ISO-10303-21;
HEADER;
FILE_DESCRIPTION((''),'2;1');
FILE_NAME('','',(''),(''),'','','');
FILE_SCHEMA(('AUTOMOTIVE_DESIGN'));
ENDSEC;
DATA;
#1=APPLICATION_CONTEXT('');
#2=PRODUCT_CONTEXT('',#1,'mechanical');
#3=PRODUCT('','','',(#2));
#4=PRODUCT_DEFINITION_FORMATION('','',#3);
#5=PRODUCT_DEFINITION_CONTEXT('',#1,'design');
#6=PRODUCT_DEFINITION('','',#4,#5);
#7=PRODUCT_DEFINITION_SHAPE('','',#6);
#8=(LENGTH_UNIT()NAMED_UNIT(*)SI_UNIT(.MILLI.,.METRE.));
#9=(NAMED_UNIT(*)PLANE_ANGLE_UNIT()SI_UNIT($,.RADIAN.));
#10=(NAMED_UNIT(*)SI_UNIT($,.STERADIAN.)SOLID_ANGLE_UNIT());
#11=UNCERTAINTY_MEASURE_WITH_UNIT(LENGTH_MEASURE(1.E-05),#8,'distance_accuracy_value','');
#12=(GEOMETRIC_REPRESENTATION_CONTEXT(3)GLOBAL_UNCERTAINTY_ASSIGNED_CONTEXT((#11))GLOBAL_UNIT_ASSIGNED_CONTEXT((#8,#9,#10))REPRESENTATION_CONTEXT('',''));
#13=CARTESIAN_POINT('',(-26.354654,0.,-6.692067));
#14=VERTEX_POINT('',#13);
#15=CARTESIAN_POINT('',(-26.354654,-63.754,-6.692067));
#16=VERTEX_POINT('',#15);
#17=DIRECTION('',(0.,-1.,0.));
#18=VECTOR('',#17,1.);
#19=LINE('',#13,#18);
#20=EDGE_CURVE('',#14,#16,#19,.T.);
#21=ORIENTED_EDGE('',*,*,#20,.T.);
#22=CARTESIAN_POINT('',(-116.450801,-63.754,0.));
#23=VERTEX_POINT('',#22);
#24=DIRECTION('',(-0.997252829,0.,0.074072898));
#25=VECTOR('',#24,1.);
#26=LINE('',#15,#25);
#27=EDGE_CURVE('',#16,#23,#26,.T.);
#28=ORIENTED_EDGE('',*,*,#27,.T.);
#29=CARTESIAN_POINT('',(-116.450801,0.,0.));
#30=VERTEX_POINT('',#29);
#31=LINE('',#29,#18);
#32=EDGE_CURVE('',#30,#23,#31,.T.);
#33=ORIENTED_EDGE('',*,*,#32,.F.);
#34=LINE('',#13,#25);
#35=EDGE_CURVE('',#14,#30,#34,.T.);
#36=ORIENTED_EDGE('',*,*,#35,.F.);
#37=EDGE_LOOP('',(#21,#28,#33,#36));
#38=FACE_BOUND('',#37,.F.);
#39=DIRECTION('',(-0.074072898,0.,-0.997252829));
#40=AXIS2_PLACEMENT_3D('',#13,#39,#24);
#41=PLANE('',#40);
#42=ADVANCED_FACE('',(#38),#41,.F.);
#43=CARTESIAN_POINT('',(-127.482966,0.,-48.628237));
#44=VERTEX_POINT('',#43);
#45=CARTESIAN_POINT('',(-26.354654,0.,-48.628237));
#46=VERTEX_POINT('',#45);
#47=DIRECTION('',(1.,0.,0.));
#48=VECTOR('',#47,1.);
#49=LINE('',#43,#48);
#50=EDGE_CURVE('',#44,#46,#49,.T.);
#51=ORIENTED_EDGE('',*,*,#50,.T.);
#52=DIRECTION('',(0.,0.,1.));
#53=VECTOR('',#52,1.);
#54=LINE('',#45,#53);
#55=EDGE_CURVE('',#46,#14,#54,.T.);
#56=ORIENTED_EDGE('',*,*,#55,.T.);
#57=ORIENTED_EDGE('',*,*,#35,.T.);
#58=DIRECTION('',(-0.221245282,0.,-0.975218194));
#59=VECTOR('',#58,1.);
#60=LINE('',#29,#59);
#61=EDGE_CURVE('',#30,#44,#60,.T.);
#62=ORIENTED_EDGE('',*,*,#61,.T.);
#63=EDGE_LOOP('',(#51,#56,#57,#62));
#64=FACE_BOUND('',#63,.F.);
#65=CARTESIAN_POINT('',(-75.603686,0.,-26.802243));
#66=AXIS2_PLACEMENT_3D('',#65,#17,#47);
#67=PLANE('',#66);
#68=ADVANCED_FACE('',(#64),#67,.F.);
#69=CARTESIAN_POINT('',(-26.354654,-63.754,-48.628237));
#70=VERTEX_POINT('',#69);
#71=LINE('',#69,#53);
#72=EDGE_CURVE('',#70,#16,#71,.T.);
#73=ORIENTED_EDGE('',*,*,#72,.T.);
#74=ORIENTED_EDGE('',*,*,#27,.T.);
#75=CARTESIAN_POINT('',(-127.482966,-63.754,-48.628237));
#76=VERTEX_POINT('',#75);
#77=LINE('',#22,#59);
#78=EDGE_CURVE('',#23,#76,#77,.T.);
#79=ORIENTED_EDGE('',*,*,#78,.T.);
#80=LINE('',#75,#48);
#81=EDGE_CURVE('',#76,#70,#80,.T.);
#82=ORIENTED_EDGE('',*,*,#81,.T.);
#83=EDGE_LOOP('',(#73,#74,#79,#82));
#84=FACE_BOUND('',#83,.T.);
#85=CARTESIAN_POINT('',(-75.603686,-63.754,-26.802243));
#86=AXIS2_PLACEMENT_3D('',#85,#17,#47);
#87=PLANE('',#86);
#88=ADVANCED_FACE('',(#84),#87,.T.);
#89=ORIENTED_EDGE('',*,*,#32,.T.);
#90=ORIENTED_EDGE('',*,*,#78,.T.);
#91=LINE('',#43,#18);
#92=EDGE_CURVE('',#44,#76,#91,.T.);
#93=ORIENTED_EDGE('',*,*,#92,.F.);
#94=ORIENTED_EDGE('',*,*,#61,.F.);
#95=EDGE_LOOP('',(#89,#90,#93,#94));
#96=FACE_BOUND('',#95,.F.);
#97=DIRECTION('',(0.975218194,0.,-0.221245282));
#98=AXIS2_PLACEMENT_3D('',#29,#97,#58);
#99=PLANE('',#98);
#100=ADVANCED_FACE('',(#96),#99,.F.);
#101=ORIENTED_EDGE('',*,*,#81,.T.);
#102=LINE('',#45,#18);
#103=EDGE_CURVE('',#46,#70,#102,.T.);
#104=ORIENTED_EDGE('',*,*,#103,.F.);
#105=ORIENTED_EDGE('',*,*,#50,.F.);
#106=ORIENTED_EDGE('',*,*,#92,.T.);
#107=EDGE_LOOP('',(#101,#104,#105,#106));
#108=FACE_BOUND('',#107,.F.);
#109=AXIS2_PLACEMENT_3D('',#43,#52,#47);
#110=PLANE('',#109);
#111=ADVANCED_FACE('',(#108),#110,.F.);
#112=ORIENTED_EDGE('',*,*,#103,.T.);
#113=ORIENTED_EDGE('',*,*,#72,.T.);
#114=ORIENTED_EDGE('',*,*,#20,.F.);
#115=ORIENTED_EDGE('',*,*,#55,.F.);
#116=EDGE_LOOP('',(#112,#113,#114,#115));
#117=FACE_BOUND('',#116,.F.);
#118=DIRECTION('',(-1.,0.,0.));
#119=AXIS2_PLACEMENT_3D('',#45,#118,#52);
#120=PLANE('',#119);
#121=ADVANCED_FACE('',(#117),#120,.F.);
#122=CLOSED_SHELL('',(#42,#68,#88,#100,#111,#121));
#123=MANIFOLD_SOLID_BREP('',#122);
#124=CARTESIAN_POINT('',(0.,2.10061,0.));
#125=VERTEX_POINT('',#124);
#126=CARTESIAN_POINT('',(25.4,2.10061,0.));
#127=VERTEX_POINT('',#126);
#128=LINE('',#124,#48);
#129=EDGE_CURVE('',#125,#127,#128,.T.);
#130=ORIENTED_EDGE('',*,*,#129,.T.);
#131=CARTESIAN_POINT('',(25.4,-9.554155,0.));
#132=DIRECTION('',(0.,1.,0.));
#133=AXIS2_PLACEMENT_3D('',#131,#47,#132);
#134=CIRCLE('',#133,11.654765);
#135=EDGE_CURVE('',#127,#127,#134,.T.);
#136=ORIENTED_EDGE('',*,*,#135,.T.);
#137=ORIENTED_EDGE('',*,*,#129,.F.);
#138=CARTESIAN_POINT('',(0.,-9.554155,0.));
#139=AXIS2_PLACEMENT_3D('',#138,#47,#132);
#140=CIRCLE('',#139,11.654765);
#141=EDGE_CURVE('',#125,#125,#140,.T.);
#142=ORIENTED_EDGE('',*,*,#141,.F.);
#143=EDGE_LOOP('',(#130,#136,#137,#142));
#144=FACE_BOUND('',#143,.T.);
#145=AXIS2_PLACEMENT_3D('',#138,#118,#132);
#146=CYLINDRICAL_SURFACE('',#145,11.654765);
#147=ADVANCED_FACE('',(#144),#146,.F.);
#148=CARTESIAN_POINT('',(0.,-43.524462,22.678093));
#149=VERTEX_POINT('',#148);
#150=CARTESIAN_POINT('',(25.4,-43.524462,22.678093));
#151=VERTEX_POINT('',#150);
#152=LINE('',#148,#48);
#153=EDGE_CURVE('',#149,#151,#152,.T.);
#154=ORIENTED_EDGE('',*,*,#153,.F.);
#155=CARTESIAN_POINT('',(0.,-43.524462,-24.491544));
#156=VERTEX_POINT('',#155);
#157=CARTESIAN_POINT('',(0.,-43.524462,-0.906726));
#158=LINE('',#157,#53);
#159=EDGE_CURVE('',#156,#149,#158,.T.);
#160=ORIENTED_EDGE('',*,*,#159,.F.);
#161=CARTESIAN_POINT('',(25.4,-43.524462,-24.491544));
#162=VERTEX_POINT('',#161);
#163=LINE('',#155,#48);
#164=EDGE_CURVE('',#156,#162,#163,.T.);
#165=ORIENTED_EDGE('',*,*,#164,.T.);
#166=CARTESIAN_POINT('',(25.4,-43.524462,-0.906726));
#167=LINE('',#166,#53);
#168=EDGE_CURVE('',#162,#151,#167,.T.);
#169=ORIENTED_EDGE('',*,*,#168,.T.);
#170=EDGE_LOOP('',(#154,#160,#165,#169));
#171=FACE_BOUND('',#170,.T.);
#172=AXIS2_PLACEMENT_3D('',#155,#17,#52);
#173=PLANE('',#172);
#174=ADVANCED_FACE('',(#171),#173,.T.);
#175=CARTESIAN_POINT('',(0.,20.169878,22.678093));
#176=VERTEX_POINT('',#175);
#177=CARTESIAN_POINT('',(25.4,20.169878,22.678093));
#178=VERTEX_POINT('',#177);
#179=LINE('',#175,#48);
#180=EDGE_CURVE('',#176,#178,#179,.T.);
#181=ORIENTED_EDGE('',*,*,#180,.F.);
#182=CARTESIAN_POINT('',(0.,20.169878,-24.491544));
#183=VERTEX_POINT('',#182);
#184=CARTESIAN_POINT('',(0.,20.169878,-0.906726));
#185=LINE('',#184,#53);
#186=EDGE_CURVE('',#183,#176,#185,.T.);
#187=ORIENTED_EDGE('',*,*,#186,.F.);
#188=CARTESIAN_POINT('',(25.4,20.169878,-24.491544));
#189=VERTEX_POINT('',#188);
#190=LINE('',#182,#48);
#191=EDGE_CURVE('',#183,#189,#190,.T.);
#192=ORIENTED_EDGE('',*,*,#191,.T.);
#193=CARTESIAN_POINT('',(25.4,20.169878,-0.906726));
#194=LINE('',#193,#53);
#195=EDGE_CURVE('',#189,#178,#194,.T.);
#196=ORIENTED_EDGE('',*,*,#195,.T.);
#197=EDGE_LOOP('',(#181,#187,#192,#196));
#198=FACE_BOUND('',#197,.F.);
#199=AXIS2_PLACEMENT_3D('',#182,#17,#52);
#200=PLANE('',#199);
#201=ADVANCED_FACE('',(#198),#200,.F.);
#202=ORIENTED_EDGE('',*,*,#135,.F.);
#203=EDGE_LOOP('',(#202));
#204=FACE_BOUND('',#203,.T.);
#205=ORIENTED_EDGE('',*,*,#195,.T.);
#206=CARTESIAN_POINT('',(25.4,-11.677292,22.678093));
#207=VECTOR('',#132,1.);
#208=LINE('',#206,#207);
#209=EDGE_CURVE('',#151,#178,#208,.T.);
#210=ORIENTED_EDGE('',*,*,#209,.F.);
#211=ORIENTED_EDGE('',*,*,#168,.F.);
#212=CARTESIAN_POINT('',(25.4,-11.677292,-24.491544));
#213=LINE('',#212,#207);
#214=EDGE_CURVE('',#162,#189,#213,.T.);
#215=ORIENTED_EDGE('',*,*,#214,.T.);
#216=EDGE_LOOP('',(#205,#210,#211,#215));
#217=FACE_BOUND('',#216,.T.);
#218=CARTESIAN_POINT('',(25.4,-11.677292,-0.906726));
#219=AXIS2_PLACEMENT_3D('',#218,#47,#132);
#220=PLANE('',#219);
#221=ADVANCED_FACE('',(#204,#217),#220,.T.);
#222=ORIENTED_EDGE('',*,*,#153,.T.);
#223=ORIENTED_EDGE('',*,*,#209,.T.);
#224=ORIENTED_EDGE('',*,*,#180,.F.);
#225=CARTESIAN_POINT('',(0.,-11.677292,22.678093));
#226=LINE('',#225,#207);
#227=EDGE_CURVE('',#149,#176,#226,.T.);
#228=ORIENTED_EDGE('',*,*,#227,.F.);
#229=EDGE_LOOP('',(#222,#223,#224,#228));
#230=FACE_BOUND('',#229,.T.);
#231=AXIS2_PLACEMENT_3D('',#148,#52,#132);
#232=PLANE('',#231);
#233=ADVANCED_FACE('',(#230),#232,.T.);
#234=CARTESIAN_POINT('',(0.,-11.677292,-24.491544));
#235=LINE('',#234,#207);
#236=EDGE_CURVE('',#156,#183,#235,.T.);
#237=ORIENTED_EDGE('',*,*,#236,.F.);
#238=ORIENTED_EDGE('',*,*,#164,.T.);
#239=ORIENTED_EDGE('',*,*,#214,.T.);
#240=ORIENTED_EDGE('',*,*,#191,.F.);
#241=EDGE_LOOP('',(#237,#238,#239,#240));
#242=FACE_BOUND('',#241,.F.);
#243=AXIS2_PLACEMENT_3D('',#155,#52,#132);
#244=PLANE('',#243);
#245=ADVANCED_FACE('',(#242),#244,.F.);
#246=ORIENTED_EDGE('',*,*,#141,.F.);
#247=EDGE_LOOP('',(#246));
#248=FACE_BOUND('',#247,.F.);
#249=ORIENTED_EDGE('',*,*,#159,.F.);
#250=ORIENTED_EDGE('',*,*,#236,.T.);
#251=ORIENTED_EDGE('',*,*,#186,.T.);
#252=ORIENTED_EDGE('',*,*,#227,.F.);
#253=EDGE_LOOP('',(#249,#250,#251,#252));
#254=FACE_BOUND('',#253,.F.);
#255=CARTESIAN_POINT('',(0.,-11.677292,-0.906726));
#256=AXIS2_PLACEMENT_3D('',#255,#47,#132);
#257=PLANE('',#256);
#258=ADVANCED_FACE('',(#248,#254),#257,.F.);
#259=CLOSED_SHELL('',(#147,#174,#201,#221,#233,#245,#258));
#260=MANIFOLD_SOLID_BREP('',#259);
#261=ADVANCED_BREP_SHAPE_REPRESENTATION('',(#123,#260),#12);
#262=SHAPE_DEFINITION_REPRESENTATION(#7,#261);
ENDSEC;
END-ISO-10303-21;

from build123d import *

# Parameters (mm, degrees)
F0_W     = 63.694341
F0_H     = 47.169637
F0_R     = 11.654765
F2_DEPTH = 25.4
F3_DEPTH = 63.754


with BuildPart() as f2:
    # F0 (on Right) → F2 (new body)
    with BuildSketch(Plane.YZ):
        with Locations((-11.677292, -0.906726)):
            Rectangle(F0_W, F0_H)
        with Locations((-9.554155, 0)):
            Circle(F0_R, mode=Mode.SUBTRACT)
    extrude(amount=F2_DEPTH)


with BuildPart() as f3:
    # F1 (on Front) → F3 (new body)
    with BuildSketch(Plane.XZ):
        Polygon((-26.354654, -6.692067), (-116.450801, 0), (-127.482966, -48.628237), (-26.354654, -48.628237), align=None)
    extrude(amount=F3_DEPTH)


solid = Compound([f2.part, f3.part])
